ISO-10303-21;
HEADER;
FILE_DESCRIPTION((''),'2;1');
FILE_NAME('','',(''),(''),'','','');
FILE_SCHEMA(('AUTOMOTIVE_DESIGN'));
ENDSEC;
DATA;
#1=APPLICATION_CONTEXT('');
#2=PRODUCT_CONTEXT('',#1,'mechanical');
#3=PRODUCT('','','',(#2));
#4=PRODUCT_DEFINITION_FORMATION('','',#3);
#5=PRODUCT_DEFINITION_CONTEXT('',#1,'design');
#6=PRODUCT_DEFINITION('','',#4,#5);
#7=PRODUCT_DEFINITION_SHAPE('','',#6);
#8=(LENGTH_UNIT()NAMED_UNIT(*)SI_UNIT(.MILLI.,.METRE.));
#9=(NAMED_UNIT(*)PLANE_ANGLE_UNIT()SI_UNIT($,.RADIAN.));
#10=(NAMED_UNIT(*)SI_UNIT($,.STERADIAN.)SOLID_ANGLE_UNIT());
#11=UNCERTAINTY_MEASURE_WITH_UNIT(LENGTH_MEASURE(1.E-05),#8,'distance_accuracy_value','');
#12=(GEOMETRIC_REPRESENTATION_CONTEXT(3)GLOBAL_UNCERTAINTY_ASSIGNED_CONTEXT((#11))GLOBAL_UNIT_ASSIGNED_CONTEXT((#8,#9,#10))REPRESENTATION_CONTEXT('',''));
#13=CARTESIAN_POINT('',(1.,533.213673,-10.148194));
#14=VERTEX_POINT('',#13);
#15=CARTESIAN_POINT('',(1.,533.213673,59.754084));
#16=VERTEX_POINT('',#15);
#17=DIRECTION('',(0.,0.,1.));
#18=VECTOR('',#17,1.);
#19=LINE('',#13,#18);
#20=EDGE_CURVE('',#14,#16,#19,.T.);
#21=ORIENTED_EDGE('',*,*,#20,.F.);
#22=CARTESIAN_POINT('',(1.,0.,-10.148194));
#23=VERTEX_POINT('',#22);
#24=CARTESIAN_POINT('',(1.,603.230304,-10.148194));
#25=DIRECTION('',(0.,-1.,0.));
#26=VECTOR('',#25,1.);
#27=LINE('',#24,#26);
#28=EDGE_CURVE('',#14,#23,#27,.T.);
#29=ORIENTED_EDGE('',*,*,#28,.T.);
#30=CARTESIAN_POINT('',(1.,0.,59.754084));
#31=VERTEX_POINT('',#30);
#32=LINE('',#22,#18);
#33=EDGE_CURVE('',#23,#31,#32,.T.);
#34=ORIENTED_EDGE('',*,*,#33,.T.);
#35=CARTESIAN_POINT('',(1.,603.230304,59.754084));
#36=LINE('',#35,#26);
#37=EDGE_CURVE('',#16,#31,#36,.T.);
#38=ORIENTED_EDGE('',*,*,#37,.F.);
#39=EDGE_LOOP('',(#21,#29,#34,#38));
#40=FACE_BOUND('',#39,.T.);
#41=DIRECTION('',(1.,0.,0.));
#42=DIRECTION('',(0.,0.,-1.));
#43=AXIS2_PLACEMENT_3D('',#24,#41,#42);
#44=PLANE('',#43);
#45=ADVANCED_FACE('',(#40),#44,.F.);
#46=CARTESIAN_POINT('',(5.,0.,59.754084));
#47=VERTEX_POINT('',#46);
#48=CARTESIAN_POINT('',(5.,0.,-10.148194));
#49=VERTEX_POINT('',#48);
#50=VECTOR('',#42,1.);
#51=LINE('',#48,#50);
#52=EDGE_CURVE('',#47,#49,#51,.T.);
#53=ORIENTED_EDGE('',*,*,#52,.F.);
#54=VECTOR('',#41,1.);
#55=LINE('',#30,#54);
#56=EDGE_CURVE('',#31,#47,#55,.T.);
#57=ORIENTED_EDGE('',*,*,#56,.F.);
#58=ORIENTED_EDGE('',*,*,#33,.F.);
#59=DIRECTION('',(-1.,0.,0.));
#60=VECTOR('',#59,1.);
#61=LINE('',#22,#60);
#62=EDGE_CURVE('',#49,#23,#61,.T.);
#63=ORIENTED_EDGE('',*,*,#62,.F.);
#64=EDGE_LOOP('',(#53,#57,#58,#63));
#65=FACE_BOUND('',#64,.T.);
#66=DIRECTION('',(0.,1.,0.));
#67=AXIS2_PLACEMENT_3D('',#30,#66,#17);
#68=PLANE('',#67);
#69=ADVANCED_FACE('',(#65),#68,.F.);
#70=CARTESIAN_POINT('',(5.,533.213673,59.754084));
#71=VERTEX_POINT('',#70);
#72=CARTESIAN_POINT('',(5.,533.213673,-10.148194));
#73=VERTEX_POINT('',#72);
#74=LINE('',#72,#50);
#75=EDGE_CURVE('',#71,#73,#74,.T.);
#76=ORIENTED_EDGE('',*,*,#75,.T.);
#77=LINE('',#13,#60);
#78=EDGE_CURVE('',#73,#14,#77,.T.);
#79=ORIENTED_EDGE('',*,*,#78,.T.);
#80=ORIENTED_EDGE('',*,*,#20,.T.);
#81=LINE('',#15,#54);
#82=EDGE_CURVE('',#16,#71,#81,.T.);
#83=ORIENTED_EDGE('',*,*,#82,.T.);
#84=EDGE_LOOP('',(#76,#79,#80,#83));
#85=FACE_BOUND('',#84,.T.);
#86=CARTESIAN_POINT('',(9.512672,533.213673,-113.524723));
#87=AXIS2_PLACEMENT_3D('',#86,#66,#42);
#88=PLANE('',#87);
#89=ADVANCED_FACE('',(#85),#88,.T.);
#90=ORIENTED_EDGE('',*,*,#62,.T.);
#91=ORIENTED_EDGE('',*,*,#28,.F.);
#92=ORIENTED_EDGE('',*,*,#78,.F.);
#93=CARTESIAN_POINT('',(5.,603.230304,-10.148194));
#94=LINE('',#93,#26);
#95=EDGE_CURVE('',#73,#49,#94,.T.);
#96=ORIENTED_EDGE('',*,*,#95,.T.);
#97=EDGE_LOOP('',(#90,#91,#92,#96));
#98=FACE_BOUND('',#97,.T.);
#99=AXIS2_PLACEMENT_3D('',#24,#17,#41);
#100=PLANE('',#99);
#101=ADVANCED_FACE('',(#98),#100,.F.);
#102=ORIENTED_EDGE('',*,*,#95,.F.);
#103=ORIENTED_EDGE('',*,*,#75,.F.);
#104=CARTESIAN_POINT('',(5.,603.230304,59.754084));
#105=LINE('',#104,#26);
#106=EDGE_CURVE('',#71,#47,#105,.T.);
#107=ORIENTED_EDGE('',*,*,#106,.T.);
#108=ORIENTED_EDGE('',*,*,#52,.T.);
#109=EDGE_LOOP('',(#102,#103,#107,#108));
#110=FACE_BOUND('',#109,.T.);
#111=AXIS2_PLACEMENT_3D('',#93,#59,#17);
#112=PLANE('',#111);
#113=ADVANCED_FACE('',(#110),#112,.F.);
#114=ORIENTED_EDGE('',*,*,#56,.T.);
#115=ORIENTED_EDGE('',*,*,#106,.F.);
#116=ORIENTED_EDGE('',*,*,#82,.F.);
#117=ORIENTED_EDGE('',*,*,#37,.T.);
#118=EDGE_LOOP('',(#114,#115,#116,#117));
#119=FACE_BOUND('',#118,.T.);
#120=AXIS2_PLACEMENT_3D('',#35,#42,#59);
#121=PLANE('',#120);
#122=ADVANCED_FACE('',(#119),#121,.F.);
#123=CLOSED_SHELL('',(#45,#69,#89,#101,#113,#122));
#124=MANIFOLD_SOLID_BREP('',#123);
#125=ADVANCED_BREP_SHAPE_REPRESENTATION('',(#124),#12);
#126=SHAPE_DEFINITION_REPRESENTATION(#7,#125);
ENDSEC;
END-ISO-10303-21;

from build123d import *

# Parameters (mm, degrees)
SKETCH_1_W      = 4
SKETCH_1_H      = 69.902278357
EXTRUDE_1_DEPTH = 533.213673317


with BuildPart() as part:
    # Эскиз1 → Вытянуть1 (new body)
    with BuildSketch(Plane(origin=(0, 0, 0), x_dir=(1, 0, 0), z_dir=(0, 1, 0))):
        with Locations((3, -24.802944978)):
            Rectangle(SKETCH_1_W, SKETCH_1_H)
    extrude(amount=EXTRUDE_1_DEPTH)


solid = part.part
